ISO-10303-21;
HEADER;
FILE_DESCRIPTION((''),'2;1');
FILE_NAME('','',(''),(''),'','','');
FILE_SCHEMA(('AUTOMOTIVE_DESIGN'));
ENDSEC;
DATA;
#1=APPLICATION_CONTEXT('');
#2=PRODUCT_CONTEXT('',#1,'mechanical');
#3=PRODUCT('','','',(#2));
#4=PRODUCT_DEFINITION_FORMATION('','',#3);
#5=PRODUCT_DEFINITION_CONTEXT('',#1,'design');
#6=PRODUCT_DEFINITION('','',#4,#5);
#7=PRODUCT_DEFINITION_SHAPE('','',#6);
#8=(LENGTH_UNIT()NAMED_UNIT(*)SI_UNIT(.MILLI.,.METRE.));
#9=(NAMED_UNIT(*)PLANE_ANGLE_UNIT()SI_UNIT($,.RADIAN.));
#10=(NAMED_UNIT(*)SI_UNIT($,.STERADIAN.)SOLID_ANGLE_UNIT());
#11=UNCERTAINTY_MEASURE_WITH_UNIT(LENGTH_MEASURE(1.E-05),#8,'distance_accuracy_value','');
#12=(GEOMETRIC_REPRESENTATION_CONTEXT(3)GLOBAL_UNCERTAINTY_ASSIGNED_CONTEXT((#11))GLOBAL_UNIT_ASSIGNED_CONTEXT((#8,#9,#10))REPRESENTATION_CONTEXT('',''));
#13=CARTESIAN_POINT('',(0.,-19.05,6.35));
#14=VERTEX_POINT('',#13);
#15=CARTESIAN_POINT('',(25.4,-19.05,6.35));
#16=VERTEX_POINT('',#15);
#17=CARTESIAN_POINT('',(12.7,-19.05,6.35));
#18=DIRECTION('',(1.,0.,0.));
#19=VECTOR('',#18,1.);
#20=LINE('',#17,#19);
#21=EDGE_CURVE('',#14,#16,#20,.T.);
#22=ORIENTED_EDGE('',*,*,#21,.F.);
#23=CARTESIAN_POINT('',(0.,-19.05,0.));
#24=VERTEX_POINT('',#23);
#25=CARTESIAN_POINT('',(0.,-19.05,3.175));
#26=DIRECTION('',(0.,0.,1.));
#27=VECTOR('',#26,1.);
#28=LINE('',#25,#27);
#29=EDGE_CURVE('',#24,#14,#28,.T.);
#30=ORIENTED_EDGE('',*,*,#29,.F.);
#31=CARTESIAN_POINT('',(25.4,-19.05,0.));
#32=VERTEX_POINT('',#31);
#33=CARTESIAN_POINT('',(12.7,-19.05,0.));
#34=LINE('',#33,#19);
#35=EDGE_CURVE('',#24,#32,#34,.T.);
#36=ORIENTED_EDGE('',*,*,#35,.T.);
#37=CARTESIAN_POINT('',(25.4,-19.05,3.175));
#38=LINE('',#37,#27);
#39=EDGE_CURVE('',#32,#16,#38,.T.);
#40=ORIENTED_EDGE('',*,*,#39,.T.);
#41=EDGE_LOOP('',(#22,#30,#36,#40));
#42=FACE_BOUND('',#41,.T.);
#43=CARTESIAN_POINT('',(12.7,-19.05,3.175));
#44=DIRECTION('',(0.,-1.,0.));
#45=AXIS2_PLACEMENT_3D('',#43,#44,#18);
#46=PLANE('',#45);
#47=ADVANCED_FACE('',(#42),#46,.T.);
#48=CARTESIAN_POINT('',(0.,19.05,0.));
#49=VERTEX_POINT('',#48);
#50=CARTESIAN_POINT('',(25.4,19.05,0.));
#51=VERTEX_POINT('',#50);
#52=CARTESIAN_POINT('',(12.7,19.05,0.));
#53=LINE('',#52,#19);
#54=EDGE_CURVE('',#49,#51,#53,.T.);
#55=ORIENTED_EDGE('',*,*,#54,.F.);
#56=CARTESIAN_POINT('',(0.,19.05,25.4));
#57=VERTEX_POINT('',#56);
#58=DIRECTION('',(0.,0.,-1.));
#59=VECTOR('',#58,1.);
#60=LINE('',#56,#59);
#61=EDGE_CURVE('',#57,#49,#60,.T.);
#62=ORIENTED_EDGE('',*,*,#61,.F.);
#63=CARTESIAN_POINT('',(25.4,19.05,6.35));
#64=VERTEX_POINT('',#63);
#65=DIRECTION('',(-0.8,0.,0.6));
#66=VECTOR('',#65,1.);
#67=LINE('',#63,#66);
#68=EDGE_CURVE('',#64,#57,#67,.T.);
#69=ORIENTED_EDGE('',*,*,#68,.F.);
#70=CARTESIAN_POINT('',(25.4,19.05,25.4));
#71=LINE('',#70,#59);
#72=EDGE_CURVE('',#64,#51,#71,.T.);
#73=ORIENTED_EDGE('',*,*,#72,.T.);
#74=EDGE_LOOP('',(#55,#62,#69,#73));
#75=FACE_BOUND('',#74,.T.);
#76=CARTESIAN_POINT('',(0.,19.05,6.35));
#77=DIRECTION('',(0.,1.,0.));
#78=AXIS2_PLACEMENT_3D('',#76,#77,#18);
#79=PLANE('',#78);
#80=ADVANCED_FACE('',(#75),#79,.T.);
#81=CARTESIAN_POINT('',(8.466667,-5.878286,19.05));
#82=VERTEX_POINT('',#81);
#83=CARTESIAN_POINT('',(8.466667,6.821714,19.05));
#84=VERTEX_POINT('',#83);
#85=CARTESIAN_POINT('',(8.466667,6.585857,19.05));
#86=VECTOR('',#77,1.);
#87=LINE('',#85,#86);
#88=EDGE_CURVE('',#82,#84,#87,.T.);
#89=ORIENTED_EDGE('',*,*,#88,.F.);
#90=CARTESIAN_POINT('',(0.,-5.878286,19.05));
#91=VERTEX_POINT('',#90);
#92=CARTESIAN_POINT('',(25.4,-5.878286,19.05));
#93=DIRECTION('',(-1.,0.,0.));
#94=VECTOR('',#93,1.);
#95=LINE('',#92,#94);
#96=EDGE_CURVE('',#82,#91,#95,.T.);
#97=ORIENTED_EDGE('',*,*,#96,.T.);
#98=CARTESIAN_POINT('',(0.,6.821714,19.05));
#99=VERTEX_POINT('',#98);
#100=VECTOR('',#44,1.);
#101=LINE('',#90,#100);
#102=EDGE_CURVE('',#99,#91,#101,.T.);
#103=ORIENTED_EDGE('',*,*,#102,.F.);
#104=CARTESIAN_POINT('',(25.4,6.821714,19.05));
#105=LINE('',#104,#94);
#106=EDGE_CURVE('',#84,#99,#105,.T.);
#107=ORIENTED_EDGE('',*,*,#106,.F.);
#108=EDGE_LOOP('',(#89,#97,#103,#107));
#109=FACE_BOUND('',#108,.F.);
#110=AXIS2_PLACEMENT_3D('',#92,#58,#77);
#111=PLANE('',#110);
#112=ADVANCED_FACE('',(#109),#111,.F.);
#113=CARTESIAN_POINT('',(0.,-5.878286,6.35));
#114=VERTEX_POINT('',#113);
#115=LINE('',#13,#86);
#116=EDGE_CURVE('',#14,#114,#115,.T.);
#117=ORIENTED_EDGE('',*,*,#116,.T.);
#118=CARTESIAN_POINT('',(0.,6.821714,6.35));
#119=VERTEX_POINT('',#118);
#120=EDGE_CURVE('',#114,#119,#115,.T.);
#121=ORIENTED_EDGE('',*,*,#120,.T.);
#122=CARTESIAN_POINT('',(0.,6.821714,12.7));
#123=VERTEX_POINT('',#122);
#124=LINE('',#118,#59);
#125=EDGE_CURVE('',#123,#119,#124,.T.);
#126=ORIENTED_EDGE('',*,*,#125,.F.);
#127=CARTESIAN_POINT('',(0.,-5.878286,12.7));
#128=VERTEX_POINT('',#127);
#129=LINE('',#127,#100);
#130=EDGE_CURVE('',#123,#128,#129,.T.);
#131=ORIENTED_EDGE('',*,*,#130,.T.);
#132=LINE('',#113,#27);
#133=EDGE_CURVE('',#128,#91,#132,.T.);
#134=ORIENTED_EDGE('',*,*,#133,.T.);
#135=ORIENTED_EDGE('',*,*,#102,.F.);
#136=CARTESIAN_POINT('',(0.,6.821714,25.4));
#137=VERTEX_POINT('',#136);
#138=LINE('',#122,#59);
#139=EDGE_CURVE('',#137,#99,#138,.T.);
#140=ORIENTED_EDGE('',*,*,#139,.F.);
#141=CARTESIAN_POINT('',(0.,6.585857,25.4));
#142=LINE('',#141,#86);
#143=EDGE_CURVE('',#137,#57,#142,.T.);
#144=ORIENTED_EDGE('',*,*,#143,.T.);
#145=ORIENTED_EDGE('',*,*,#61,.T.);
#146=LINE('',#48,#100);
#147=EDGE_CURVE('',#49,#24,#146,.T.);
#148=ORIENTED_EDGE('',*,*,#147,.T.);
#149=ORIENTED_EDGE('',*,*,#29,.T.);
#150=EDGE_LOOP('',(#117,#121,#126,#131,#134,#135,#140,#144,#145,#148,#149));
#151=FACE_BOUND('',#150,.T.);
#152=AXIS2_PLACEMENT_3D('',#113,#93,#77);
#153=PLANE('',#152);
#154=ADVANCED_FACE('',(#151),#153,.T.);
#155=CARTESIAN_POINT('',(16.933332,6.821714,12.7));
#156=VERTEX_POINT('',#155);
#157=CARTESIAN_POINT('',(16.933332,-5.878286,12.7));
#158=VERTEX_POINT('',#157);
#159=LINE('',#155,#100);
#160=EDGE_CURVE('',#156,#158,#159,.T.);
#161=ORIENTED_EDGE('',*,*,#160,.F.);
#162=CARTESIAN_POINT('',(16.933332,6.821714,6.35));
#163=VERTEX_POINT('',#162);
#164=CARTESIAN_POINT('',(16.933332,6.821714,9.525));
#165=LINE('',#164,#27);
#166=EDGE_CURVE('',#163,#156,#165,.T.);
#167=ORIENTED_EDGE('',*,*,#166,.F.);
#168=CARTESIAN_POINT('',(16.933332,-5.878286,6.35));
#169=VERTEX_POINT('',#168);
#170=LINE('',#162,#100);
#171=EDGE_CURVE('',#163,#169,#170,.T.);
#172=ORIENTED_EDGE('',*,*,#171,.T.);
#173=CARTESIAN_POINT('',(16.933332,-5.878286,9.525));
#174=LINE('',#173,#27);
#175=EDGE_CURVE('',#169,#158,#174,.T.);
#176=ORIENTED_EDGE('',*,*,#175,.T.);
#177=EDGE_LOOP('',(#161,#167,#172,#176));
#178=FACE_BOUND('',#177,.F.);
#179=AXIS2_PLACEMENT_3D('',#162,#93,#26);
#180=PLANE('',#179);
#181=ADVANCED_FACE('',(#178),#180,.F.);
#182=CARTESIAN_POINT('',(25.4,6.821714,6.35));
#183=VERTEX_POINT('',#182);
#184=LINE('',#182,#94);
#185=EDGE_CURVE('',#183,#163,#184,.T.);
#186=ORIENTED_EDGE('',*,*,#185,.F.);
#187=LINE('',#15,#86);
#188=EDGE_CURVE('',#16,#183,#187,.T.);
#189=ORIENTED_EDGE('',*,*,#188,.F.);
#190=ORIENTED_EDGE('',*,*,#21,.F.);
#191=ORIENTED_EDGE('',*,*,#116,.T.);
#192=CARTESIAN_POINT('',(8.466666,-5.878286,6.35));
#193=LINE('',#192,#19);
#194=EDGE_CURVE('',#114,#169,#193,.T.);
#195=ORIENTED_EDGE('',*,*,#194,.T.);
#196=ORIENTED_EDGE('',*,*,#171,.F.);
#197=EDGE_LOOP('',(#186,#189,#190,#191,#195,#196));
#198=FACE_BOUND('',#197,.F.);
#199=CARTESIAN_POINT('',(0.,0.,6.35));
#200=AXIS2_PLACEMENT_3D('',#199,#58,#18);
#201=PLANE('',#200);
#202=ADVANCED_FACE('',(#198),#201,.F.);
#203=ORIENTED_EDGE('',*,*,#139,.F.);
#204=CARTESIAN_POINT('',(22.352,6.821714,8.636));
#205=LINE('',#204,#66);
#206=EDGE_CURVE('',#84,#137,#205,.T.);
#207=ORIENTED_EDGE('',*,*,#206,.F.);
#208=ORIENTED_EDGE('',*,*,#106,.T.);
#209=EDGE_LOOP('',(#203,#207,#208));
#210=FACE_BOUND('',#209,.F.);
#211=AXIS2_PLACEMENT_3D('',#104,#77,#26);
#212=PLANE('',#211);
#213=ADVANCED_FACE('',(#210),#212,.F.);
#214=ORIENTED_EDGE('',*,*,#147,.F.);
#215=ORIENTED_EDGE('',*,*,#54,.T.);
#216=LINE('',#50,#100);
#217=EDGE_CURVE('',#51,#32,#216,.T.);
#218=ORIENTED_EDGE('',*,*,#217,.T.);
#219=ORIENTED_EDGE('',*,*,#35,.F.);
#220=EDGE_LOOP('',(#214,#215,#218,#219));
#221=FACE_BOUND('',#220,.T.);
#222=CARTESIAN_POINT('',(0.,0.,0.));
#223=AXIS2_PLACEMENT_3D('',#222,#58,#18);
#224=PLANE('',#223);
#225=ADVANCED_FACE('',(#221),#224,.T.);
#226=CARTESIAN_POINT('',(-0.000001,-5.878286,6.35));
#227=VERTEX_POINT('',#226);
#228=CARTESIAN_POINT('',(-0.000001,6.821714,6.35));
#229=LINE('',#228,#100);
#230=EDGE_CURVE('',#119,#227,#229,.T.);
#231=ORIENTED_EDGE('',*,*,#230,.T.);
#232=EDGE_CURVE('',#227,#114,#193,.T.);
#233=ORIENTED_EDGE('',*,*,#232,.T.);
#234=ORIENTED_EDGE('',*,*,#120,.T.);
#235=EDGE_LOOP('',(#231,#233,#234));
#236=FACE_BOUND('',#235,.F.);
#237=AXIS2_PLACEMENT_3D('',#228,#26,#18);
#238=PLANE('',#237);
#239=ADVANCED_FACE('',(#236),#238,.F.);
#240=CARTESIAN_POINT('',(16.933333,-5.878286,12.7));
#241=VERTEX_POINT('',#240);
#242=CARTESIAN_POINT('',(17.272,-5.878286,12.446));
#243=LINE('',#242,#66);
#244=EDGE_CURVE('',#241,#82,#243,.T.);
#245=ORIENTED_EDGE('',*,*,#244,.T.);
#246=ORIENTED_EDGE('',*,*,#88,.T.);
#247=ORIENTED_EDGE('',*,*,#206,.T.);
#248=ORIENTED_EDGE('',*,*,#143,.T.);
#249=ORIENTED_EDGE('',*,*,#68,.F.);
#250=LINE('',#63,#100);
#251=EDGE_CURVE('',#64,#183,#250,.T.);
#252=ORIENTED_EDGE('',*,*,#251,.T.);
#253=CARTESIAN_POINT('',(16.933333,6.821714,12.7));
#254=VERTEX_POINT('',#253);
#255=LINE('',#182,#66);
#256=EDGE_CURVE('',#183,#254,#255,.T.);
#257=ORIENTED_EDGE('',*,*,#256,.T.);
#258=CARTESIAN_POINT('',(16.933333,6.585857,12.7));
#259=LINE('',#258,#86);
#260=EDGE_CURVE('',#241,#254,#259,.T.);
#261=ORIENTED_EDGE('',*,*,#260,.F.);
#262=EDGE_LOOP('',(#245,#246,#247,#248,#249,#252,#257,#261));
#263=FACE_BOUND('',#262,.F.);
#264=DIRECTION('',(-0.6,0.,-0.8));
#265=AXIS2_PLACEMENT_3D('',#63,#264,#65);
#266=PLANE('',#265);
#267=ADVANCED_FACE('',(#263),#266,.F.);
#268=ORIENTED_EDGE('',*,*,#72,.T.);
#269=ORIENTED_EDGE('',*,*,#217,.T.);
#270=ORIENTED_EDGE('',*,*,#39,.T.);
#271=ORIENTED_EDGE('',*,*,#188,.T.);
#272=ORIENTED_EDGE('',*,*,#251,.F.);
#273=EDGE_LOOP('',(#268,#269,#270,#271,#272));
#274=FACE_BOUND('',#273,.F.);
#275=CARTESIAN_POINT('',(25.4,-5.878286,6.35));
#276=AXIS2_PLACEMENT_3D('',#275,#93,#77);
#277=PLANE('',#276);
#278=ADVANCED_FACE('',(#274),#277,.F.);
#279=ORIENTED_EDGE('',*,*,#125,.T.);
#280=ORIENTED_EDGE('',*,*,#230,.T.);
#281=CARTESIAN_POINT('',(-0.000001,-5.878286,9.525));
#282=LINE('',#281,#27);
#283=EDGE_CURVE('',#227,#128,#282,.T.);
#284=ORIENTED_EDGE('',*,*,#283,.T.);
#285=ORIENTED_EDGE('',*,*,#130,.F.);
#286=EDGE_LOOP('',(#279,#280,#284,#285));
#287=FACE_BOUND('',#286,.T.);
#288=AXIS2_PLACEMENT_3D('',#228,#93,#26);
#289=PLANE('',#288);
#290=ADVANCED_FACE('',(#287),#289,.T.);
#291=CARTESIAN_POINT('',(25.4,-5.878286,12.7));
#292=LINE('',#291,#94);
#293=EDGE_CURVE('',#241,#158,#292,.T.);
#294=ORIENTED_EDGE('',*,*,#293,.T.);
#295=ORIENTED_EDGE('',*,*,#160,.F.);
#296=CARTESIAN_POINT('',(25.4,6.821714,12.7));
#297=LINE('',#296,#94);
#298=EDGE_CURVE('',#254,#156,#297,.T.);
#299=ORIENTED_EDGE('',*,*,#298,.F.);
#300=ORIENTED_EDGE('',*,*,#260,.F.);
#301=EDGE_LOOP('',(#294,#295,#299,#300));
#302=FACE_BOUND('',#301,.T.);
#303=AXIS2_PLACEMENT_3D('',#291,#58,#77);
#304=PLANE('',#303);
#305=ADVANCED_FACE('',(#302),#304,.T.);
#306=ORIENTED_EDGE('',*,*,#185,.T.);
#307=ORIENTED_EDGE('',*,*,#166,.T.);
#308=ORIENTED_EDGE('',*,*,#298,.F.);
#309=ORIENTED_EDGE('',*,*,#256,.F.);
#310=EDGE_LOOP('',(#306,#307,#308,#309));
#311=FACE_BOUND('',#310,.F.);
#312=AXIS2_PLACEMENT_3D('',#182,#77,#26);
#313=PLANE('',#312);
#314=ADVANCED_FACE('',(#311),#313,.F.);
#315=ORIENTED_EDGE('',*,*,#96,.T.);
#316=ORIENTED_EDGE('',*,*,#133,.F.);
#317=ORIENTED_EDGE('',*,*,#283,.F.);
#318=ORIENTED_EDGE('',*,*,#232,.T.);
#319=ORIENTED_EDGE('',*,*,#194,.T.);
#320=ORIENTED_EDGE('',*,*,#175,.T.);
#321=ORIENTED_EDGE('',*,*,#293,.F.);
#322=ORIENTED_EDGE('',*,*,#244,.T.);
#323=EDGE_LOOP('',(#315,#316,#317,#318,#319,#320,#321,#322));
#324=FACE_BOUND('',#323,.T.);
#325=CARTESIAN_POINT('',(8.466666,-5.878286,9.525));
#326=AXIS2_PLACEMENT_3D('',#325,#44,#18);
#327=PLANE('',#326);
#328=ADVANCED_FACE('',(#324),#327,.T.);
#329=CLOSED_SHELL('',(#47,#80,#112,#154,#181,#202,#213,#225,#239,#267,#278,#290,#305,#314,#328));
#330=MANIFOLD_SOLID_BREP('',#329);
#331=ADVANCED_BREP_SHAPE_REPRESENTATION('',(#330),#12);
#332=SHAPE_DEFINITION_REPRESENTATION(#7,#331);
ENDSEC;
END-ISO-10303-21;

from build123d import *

# Parameters (mm, degrees)
F0_W     = 25.4
F0_H     = 6.35
F1_DEPTH = 19.05
F2_W     = 25.4
F2_H     = 24.928286
F3_DEPTH = 19.05
F4_W     = 12.7
F4_H     = 6.35
F5_DEPTH = 25.401
F7_DEPTH = 38.101
F8_W     = 16.933333
F8_H     = 6.35
F9_DEPTH = 12.7


with BuildPart() as f1:
    # F0 (on Front) → F1 (new body, symmetric)
    with BuildSketch(Plane.XZ):
        with Locations((12.7, 3.175)):
            Rectangle(F0_W, F0_H)
    extrude(amount=F1_DEPTH, both=True)

    # F2 (on face) → F3 (join)
    with BuildSketch(Plane.XY.offset(6.35)):
        with Locations((12.7, 6.585857)):
            Rectangle(F2_W, F2_H)
    extrude(amount=F3_DEPTH)

    # F4 (on face) → F5 (cut, through all)
    with BuildSketch(Plane.YZ.offset(25.4)):
        with Locations((0.471714, 22.225)):
            Rectangle(F4_W, F4_H)
        with Locations((0.471714, 9.525)):
            Rectangle(F4_W, F4_H)
    extrude(amount=-F5_DEPTH, mode=Mode.SUBTRACT)

    # F6 (on face) → F7 (cut, through all)
    with BuildSketch(Plane(origin=(0, 19.05, 0), x_dir=(-1, 0, 0), z_dir=(0, 1, 0))):
        Polygon((0, 25.4), (-25.4, 25.4), (-25.4, 6.35), align=None)
    extrude(amount=-F7_DEPTH, mode=Mode.SUBTRACT)

    # F8 (on face) → F9 (join)
    with BuildSketch(Plane.XZ.offset(-6.821714)):
        with Locations((8.466666, 9.525)):
            Rectangle(F8_W, F8_H)
    extrude(amount=F9_DEPTH)


solid = f1.part
